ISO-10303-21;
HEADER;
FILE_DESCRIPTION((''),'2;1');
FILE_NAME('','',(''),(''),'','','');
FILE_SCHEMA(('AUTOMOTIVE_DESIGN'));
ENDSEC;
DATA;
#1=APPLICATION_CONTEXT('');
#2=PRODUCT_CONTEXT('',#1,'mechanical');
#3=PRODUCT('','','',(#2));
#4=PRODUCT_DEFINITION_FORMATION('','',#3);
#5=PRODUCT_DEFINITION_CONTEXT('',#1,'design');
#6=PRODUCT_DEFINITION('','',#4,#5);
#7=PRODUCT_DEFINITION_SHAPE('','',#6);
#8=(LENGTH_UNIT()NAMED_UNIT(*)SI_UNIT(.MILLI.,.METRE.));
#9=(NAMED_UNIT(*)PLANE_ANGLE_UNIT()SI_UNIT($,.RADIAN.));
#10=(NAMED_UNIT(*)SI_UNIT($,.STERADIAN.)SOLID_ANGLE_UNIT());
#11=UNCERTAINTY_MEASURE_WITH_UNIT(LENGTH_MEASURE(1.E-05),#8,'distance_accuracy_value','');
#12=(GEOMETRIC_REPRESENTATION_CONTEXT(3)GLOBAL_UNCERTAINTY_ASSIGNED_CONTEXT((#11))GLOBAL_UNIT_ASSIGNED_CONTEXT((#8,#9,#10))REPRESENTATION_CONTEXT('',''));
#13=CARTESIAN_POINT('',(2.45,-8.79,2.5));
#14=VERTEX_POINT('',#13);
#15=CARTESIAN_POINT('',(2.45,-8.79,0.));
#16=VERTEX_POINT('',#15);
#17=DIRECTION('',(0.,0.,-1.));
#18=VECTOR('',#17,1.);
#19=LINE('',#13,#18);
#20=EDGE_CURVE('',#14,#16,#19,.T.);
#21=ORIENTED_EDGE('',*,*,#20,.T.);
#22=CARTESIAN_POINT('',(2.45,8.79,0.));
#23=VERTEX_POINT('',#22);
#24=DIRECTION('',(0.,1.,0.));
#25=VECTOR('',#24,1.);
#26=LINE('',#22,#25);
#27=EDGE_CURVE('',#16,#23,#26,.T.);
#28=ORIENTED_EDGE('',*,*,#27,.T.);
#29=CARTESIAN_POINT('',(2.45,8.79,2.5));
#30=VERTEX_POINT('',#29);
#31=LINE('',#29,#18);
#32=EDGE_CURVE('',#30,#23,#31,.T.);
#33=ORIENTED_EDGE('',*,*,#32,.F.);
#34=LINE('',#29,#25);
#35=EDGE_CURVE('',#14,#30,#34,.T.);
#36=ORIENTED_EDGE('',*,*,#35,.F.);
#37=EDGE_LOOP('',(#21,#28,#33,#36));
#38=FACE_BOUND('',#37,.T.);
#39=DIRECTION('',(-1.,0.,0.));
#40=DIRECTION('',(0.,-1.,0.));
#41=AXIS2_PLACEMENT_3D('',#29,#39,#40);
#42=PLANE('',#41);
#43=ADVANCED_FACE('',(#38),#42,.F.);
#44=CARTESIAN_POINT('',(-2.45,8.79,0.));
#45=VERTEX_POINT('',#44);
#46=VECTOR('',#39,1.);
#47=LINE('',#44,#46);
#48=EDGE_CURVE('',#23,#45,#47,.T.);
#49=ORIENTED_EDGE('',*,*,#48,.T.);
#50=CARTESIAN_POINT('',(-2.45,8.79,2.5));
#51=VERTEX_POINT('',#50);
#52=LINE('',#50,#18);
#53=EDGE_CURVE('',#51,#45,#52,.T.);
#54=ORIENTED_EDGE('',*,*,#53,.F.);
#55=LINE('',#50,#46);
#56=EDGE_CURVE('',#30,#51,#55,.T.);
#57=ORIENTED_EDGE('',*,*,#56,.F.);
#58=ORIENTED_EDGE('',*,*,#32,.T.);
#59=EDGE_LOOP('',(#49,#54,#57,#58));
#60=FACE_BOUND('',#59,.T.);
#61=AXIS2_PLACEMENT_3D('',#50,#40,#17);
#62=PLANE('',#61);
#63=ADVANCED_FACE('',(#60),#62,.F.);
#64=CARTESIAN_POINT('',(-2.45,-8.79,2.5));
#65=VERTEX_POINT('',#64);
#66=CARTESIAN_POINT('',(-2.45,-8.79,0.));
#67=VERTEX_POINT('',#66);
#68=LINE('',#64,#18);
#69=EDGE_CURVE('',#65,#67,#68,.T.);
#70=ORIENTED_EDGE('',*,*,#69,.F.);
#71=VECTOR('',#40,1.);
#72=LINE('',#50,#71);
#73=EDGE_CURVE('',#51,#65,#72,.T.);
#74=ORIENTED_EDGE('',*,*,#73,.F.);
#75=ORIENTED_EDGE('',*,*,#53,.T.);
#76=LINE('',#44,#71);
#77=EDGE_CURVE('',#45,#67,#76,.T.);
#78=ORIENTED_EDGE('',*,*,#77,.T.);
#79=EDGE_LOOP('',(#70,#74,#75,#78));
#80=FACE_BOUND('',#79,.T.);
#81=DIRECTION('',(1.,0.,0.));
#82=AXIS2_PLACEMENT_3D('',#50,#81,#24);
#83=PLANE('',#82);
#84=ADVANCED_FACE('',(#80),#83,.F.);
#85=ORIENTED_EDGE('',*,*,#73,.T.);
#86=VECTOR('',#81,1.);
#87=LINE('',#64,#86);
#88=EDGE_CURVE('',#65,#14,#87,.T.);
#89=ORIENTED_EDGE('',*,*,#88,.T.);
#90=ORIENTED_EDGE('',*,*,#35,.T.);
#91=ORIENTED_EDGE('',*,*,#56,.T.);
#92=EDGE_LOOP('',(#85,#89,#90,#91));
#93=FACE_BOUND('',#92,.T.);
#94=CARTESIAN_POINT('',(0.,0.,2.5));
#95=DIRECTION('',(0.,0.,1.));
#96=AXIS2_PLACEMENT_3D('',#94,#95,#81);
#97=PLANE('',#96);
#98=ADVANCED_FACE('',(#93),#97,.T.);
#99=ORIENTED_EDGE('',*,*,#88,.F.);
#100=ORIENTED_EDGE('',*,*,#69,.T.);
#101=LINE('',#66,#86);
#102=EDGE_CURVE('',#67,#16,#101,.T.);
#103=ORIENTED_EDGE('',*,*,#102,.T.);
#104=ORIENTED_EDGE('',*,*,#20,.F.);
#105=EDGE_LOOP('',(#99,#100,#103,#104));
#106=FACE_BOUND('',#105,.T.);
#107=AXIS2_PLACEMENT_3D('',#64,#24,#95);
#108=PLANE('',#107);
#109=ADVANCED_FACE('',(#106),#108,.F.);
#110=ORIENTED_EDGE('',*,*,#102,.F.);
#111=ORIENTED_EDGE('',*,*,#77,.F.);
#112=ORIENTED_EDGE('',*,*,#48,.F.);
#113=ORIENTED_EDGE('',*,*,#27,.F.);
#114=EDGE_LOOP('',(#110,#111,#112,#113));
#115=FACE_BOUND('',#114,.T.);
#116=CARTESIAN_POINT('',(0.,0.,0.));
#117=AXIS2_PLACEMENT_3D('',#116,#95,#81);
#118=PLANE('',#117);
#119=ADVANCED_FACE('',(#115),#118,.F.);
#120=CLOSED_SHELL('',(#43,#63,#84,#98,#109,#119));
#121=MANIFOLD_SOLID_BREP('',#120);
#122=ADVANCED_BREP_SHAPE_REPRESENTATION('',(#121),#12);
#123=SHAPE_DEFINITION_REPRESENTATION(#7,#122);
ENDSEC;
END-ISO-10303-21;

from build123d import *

# Parameters (mm, degrees)
SKICA1_W                = 4.9
SKICA1_H                = 17.58
P_IDAT_VYSUNUT_M1_DEPTH = 2.5


with BuildPart() as part:
    # Skica1 → Přidat vysunutím1 (new body)
    with BuildSketch(Plane.XY):
        Rectangle(SKICA1_W, SKICA1_H)
    extrude(amount=P_IDAT_VYSUNUT_M1_DEPTH)


solid = part.part
